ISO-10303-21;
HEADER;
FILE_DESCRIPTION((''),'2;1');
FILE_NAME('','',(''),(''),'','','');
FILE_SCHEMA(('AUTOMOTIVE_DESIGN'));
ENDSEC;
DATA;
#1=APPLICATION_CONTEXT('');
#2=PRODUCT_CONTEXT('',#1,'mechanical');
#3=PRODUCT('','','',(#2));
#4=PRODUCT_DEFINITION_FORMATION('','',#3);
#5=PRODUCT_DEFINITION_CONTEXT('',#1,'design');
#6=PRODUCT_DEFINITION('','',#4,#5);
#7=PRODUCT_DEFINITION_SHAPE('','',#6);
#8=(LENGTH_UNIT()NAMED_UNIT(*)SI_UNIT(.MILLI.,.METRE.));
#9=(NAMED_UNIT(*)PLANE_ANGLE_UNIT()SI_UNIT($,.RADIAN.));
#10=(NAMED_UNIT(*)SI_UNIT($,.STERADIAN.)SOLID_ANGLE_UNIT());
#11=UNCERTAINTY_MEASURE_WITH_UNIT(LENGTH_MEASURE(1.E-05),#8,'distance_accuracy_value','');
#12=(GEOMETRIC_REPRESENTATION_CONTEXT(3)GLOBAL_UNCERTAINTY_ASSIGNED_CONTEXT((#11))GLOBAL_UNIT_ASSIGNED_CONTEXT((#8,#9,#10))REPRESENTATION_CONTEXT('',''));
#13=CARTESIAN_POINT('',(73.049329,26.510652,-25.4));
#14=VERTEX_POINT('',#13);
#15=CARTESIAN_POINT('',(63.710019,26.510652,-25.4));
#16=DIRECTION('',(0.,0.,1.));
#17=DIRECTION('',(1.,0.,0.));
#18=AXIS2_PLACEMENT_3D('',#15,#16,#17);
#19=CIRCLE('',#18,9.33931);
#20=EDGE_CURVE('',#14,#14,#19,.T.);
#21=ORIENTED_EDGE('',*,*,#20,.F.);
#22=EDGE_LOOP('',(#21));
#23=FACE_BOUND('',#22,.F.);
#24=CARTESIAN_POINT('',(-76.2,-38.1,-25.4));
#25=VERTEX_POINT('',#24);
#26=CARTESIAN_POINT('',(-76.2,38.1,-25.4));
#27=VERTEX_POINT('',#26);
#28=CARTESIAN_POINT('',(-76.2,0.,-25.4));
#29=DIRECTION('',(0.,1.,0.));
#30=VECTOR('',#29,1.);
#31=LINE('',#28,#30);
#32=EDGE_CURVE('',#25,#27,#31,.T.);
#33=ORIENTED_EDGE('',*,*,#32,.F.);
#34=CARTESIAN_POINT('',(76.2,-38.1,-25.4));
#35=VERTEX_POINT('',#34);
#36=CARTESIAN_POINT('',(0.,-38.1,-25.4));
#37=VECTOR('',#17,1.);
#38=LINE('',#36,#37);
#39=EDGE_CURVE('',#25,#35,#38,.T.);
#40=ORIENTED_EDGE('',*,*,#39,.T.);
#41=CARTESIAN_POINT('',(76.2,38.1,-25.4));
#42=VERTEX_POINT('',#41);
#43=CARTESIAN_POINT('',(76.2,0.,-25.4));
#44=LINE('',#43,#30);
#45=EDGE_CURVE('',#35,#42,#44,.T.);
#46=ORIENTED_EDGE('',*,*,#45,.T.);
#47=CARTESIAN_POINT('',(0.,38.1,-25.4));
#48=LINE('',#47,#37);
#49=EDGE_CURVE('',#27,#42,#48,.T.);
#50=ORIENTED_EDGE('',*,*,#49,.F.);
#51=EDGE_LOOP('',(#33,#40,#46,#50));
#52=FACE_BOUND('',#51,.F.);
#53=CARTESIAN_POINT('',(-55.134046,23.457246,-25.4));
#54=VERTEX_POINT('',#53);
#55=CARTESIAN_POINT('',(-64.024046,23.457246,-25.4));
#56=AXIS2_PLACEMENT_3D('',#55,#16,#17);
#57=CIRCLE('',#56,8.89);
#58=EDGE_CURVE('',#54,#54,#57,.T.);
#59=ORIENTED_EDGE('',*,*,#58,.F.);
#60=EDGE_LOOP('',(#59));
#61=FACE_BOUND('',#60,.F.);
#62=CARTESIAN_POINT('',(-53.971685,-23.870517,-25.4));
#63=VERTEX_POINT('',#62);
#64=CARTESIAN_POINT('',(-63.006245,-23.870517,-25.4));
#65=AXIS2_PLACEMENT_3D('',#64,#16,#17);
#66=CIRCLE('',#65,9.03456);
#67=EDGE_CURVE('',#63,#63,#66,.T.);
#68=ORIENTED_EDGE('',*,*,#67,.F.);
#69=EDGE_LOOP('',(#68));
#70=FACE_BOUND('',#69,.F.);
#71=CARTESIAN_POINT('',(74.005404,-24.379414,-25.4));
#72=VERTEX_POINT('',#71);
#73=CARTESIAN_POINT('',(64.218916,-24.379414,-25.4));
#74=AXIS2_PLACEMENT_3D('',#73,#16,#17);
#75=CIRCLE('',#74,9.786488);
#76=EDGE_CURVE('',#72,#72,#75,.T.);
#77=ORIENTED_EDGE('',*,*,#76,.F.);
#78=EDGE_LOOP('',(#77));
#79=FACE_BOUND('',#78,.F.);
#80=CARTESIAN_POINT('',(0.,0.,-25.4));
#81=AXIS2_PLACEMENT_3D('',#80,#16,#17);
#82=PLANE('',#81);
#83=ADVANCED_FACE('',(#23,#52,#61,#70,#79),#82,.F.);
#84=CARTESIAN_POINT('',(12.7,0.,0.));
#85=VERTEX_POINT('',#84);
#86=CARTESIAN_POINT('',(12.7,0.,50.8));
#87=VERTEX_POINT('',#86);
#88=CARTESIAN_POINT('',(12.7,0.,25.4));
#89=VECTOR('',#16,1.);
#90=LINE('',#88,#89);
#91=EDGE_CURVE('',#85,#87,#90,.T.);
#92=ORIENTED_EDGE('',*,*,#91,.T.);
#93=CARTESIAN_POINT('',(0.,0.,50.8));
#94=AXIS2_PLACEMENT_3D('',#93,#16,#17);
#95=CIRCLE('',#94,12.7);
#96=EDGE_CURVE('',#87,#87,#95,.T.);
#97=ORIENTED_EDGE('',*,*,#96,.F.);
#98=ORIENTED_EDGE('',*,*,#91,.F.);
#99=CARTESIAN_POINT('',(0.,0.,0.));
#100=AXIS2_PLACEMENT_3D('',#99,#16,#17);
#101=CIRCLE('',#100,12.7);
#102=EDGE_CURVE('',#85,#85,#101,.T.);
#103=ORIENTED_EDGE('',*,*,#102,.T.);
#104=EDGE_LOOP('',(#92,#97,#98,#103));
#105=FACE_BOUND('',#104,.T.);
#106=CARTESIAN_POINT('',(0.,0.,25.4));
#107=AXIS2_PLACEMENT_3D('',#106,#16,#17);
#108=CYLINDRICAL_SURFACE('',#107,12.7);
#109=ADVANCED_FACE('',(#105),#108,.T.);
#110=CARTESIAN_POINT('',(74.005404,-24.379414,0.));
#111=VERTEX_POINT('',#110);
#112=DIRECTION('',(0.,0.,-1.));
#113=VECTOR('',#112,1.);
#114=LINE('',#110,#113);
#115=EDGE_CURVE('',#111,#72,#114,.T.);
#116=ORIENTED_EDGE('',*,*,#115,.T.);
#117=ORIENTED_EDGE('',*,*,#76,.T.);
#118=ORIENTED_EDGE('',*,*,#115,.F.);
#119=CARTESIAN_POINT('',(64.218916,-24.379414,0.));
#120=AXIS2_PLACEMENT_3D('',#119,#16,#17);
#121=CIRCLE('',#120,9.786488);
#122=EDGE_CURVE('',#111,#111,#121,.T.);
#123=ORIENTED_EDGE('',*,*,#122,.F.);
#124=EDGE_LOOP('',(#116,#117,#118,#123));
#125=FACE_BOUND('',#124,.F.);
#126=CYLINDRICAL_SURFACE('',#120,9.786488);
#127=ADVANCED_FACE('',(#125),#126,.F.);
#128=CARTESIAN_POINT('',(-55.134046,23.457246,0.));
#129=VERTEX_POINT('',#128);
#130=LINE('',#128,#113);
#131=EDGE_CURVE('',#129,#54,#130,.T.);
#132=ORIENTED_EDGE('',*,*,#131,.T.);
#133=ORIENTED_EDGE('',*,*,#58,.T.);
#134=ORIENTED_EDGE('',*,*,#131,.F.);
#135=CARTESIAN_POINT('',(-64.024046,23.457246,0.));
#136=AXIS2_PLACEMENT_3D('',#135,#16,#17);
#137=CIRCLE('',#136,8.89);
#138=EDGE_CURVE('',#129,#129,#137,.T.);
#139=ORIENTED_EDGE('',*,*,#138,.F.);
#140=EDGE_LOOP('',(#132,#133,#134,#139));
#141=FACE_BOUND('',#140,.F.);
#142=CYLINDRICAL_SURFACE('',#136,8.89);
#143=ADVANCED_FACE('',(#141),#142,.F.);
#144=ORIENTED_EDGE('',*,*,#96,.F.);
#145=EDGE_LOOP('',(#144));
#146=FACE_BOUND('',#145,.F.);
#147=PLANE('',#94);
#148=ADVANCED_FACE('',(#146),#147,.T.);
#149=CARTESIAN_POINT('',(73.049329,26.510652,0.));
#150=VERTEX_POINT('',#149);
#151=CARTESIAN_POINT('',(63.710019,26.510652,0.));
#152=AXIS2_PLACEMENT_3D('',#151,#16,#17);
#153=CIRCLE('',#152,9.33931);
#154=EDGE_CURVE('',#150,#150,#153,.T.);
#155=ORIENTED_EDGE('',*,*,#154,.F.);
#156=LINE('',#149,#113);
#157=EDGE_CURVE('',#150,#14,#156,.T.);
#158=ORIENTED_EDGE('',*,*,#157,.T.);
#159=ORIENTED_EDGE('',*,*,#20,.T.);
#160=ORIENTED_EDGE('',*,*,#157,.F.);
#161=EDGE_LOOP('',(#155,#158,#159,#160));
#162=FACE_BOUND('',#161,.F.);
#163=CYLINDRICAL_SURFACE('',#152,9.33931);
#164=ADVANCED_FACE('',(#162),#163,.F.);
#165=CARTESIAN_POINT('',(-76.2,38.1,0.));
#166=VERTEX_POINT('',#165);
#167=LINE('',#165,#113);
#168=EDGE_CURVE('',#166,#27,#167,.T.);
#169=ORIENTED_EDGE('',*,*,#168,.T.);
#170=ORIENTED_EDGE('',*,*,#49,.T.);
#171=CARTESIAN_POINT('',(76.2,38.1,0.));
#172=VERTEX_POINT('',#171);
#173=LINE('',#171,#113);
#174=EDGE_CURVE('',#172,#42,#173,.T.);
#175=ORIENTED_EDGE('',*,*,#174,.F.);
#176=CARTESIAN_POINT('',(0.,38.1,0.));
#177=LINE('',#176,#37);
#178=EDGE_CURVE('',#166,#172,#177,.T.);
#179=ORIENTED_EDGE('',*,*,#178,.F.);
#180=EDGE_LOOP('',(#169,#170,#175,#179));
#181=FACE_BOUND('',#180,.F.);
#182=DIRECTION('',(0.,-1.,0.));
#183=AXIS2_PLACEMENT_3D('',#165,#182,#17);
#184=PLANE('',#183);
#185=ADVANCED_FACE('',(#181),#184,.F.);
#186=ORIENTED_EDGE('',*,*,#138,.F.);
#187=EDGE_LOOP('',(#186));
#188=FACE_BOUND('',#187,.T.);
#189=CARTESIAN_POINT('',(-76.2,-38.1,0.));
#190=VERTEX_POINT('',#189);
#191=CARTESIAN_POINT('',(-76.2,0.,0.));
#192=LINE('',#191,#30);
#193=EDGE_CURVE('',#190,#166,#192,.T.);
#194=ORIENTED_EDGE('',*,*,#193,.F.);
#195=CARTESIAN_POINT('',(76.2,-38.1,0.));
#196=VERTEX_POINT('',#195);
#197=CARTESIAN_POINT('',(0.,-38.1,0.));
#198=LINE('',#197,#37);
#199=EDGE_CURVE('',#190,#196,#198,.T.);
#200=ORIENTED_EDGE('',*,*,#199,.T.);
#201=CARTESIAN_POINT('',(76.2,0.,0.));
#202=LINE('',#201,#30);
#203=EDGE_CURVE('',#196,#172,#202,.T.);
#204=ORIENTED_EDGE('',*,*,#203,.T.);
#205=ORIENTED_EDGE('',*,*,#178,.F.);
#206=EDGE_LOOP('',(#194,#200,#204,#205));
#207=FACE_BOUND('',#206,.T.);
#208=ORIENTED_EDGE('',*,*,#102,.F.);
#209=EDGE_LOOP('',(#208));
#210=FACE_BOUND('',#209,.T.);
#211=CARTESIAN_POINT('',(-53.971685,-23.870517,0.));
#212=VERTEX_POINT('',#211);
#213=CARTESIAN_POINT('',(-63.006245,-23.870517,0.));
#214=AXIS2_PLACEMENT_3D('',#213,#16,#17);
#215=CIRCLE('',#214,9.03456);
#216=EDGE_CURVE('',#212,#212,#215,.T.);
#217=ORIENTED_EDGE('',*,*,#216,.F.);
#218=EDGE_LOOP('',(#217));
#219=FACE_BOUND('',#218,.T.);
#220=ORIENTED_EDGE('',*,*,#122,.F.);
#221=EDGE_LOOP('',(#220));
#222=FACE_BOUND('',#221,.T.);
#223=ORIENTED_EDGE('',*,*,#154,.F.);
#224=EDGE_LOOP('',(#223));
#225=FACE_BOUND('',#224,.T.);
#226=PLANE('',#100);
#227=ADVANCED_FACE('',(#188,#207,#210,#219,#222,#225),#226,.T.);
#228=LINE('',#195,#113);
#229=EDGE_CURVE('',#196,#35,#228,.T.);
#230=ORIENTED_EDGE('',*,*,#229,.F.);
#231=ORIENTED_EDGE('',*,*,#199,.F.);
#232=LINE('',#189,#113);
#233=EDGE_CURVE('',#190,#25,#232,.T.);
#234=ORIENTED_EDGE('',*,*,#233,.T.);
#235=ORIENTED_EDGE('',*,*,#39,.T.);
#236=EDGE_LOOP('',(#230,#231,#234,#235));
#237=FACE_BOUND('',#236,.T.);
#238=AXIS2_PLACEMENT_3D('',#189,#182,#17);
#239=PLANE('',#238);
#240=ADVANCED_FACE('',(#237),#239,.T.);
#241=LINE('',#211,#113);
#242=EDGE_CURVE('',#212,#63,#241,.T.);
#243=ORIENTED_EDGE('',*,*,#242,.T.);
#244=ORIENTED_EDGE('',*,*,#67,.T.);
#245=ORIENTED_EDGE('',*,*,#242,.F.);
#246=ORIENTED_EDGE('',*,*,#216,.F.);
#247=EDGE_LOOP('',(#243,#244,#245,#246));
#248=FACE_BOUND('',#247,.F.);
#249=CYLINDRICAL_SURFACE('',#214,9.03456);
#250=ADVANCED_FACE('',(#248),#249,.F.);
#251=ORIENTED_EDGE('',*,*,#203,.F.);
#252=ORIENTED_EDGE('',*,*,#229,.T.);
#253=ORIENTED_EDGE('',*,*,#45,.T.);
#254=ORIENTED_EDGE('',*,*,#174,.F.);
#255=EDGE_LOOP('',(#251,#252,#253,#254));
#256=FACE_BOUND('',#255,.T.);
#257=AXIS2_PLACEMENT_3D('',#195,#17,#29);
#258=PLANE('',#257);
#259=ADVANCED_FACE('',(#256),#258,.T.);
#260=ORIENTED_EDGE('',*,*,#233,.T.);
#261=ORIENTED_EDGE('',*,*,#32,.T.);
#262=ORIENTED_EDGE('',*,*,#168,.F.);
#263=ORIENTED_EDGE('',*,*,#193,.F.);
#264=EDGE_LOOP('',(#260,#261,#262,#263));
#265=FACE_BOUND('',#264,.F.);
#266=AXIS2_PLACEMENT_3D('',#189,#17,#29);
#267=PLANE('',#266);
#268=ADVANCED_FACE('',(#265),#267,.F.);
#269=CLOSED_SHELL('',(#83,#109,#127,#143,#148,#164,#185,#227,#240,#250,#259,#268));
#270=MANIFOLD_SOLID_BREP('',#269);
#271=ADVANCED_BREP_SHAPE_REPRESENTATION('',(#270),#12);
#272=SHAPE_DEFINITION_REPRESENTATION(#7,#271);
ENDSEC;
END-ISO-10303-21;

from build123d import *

# Parameters (mm, degrees)
F0_W     = 152.4
F0_H     = 76.2
F1_DEPTH = 25.4
F2_R     = 8.89
F2_R_2   = 9.33931
F2_R_3   = 9.03456
F2_R_4   = 9.786488
F3_DEPTH = 50.8
F4_W     = 12.7
F4_H     = 50.8


with BuildPart() as f1:
    # F0 (on Top) → F1 (new body)
    with BuildSketch(Plane.XY):
        Rectangle(F0_W, F0_H)
    extrude(amount=-F1_DEPTH)

    # F2 (on Top) → F3 (cut)
    with BuildSketch(Plane.XY):
        with Locations((-64.024046, 23.457246)):
            Circle(F2_R)
        with Locations((63.710019, 26.510652)):
            Circle(F2_R_2)
        with Locations((-63.006245, -23.870517)):
            Circle(F2_R_3)
        with Locations((64.218916, -24.379414)):
            Circle(F2_R_4)
    extrude(amount=-F3_DEPTH, mode=Mode.SUBTRACT)

    # F4 (on Front) → F5 (revolve)
    with BuildSketch(Plane.XZ):
        with Locations((6.35, 25.4)):
            Rectangle(F4_W, F4_H)
    revolve(axis=Axis((0, 0, 25.4), (0, 0, 1)))


solid = f1.part
